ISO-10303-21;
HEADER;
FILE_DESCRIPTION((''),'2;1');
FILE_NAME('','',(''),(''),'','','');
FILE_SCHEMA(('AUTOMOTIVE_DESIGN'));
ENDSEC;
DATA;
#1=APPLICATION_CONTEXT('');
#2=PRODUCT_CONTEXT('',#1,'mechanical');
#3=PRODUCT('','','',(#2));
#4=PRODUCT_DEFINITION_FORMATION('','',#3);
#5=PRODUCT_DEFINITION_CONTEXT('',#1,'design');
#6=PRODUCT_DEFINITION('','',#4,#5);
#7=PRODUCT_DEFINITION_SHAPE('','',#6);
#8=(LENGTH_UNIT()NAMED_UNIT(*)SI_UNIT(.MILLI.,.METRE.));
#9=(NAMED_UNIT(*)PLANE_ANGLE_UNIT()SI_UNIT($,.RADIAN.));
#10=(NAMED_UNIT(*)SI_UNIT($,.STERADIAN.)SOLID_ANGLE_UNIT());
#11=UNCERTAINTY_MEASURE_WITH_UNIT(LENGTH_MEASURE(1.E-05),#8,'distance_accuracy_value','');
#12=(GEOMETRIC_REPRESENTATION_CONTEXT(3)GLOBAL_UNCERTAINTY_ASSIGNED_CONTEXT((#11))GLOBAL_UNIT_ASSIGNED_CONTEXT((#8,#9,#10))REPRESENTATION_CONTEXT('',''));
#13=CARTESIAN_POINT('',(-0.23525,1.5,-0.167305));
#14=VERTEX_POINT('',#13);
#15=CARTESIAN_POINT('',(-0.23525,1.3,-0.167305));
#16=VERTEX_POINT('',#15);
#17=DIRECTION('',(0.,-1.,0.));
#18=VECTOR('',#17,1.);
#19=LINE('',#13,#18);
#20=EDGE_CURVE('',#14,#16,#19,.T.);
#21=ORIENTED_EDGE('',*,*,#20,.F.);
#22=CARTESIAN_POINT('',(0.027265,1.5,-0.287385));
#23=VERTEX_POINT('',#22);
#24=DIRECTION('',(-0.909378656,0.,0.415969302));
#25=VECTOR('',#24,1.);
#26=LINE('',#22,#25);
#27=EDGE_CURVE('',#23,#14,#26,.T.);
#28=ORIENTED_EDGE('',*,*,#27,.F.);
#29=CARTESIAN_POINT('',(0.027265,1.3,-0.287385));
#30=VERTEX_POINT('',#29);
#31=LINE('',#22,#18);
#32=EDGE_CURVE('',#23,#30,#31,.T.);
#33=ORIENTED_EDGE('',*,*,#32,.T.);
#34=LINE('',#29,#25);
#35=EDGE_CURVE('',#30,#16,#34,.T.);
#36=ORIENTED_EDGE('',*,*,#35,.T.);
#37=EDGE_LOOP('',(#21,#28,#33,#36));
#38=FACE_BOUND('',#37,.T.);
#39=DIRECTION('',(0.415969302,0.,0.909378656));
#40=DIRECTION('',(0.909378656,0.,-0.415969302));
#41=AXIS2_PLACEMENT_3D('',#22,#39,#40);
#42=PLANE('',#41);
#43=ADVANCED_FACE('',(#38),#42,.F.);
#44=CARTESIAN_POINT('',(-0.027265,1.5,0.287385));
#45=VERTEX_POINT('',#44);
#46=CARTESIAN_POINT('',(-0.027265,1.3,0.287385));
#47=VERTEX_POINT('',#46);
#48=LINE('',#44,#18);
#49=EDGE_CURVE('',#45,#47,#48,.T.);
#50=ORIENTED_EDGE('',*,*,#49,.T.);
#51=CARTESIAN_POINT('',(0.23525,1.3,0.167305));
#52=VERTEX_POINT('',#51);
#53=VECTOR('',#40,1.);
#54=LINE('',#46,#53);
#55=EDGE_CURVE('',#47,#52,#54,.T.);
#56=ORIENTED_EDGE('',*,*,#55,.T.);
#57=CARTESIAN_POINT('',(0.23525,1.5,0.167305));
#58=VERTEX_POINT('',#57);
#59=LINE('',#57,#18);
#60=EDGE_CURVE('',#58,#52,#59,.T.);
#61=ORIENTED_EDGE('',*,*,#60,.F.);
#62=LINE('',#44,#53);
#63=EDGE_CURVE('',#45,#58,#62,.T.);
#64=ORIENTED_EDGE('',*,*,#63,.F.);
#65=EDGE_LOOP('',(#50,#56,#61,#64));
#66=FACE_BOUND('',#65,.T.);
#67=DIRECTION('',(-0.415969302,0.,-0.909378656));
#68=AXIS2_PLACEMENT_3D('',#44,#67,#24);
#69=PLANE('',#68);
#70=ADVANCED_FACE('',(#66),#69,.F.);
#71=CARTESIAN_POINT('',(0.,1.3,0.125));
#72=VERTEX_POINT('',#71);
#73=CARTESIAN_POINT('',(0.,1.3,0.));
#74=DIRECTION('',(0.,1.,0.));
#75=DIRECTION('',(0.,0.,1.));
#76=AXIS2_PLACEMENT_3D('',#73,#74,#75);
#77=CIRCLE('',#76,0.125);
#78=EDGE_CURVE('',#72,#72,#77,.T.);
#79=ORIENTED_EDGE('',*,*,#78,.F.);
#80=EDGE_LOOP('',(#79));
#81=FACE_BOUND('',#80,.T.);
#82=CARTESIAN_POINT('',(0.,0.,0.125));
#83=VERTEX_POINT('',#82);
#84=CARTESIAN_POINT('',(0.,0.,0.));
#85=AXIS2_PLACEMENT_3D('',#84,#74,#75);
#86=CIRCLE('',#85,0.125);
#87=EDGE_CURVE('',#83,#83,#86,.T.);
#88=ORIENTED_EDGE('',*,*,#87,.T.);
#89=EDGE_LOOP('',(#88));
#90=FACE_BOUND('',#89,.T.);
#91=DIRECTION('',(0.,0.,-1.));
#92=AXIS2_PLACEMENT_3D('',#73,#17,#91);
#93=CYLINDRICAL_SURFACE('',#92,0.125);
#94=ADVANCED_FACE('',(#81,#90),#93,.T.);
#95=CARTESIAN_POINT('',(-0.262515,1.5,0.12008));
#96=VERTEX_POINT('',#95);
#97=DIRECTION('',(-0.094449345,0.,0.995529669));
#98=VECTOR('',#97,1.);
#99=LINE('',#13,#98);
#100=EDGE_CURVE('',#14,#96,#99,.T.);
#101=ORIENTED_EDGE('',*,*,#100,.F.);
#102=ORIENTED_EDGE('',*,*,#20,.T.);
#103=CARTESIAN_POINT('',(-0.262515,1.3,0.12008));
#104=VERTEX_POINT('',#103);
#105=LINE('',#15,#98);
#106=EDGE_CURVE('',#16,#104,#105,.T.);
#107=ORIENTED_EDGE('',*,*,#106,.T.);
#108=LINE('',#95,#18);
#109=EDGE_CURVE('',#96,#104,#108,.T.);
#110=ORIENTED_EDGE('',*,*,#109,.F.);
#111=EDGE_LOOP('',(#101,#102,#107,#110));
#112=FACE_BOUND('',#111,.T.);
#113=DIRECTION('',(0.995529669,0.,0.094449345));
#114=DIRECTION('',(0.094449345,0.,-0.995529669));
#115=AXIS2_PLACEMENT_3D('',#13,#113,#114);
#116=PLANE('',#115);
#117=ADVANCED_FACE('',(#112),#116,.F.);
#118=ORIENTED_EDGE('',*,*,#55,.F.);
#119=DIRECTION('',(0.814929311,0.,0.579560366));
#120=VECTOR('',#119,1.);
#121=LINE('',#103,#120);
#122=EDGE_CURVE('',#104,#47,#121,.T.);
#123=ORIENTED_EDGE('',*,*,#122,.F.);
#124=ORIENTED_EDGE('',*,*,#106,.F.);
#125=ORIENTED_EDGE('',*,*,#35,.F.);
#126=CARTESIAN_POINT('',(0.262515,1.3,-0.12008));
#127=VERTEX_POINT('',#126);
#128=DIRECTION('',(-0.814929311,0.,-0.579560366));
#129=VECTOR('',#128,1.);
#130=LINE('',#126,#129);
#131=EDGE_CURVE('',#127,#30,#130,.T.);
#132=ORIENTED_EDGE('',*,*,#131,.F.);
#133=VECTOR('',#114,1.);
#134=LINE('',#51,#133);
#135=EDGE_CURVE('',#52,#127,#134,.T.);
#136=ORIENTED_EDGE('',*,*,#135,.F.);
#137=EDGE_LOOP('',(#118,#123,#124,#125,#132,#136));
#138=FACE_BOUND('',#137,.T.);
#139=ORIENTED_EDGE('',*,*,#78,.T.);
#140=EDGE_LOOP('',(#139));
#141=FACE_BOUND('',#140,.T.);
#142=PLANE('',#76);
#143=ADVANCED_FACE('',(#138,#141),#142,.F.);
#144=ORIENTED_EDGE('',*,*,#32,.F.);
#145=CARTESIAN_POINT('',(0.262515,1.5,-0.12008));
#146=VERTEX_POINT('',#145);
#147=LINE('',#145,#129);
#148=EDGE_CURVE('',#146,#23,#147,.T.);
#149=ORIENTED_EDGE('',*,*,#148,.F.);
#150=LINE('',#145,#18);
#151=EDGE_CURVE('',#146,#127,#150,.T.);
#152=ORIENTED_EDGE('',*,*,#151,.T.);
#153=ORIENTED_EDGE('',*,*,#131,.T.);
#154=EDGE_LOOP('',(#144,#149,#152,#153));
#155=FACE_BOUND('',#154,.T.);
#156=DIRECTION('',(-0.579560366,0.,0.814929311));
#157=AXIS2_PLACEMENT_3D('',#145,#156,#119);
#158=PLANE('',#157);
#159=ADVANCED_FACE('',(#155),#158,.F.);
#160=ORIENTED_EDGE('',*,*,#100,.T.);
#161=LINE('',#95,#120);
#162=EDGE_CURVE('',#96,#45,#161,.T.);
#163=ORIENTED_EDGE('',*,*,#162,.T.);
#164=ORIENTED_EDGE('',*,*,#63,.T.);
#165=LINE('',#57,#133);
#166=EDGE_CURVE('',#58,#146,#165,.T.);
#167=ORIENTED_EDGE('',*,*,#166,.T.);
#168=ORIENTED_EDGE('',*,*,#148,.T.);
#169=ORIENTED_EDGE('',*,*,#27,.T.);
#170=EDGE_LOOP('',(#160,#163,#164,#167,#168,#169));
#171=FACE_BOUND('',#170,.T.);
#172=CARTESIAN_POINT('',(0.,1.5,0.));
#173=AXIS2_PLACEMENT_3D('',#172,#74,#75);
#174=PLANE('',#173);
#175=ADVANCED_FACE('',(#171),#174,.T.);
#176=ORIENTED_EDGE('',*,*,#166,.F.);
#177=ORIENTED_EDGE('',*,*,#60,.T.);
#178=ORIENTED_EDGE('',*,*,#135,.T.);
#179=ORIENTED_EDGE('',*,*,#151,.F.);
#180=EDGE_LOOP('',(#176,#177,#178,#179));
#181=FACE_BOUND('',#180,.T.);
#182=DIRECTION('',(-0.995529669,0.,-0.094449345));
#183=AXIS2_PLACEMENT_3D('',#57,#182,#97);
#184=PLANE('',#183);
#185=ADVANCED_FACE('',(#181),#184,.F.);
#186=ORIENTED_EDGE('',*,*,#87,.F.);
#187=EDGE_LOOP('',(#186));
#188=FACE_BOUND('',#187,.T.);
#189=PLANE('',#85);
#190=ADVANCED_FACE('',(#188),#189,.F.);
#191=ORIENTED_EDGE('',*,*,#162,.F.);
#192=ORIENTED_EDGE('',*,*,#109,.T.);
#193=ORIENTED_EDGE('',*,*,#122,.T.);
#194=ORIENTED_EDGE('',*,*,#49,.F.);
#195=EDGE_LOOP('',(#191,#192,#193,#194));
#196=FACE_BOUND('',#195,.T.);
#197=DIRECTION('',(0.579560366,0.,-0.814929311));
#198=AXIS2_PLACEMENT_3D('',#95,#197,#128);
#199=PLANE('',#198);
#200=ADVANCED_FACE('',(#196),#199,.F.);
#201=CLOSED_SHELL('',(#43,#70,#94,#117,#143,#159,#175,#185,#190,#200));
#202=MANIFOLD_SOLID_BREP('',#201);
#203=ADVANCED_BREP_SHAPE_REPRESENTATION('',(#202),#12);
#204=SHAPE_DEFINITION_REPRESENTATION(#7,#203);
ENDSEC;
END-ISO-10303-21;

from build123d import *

# Parameters (mm, degrees)
SKETCH1_R           = 0.125
BOSS_EXTRUDE2_DEPTH = 1.3
BOSS_EXTRUDE3_DEPTH = 0.2


with BuildPart() as part:
    # Sketch1 → Boss-Extrude2 (new body)
    with BuildSketch(Plane(origin=(0, 0, 0), x_dir=(1, 0, 0), z_dir=(0, 1, 0))):
        with Locations(Location((0, 0, 0), (0, 0, 270))):
            Circle(SKETCH1_R)
    extrude(amount=BOSS_EXTRUDE2_DEPTH)

    # Sketch3 → Boss-Extrude3 (add)
    with BuildSketch(Plane(origin=(0, 1.3, 0), x_dir=(1, 0, 0), z_dir=(0, 1, 0))):
        Polygon((0.235249829, -0.167304667), (0.262515006, 0.120079994), (0.027265177, 0.287384661), (-0.235249829, 0.167304667), (-0.262515006, -0.120079994), (-0.027265177, -0.287384661), align=None)
    extrude(amount=BOSS_EXTRUDE3_DEPTH)


solid = part.part
